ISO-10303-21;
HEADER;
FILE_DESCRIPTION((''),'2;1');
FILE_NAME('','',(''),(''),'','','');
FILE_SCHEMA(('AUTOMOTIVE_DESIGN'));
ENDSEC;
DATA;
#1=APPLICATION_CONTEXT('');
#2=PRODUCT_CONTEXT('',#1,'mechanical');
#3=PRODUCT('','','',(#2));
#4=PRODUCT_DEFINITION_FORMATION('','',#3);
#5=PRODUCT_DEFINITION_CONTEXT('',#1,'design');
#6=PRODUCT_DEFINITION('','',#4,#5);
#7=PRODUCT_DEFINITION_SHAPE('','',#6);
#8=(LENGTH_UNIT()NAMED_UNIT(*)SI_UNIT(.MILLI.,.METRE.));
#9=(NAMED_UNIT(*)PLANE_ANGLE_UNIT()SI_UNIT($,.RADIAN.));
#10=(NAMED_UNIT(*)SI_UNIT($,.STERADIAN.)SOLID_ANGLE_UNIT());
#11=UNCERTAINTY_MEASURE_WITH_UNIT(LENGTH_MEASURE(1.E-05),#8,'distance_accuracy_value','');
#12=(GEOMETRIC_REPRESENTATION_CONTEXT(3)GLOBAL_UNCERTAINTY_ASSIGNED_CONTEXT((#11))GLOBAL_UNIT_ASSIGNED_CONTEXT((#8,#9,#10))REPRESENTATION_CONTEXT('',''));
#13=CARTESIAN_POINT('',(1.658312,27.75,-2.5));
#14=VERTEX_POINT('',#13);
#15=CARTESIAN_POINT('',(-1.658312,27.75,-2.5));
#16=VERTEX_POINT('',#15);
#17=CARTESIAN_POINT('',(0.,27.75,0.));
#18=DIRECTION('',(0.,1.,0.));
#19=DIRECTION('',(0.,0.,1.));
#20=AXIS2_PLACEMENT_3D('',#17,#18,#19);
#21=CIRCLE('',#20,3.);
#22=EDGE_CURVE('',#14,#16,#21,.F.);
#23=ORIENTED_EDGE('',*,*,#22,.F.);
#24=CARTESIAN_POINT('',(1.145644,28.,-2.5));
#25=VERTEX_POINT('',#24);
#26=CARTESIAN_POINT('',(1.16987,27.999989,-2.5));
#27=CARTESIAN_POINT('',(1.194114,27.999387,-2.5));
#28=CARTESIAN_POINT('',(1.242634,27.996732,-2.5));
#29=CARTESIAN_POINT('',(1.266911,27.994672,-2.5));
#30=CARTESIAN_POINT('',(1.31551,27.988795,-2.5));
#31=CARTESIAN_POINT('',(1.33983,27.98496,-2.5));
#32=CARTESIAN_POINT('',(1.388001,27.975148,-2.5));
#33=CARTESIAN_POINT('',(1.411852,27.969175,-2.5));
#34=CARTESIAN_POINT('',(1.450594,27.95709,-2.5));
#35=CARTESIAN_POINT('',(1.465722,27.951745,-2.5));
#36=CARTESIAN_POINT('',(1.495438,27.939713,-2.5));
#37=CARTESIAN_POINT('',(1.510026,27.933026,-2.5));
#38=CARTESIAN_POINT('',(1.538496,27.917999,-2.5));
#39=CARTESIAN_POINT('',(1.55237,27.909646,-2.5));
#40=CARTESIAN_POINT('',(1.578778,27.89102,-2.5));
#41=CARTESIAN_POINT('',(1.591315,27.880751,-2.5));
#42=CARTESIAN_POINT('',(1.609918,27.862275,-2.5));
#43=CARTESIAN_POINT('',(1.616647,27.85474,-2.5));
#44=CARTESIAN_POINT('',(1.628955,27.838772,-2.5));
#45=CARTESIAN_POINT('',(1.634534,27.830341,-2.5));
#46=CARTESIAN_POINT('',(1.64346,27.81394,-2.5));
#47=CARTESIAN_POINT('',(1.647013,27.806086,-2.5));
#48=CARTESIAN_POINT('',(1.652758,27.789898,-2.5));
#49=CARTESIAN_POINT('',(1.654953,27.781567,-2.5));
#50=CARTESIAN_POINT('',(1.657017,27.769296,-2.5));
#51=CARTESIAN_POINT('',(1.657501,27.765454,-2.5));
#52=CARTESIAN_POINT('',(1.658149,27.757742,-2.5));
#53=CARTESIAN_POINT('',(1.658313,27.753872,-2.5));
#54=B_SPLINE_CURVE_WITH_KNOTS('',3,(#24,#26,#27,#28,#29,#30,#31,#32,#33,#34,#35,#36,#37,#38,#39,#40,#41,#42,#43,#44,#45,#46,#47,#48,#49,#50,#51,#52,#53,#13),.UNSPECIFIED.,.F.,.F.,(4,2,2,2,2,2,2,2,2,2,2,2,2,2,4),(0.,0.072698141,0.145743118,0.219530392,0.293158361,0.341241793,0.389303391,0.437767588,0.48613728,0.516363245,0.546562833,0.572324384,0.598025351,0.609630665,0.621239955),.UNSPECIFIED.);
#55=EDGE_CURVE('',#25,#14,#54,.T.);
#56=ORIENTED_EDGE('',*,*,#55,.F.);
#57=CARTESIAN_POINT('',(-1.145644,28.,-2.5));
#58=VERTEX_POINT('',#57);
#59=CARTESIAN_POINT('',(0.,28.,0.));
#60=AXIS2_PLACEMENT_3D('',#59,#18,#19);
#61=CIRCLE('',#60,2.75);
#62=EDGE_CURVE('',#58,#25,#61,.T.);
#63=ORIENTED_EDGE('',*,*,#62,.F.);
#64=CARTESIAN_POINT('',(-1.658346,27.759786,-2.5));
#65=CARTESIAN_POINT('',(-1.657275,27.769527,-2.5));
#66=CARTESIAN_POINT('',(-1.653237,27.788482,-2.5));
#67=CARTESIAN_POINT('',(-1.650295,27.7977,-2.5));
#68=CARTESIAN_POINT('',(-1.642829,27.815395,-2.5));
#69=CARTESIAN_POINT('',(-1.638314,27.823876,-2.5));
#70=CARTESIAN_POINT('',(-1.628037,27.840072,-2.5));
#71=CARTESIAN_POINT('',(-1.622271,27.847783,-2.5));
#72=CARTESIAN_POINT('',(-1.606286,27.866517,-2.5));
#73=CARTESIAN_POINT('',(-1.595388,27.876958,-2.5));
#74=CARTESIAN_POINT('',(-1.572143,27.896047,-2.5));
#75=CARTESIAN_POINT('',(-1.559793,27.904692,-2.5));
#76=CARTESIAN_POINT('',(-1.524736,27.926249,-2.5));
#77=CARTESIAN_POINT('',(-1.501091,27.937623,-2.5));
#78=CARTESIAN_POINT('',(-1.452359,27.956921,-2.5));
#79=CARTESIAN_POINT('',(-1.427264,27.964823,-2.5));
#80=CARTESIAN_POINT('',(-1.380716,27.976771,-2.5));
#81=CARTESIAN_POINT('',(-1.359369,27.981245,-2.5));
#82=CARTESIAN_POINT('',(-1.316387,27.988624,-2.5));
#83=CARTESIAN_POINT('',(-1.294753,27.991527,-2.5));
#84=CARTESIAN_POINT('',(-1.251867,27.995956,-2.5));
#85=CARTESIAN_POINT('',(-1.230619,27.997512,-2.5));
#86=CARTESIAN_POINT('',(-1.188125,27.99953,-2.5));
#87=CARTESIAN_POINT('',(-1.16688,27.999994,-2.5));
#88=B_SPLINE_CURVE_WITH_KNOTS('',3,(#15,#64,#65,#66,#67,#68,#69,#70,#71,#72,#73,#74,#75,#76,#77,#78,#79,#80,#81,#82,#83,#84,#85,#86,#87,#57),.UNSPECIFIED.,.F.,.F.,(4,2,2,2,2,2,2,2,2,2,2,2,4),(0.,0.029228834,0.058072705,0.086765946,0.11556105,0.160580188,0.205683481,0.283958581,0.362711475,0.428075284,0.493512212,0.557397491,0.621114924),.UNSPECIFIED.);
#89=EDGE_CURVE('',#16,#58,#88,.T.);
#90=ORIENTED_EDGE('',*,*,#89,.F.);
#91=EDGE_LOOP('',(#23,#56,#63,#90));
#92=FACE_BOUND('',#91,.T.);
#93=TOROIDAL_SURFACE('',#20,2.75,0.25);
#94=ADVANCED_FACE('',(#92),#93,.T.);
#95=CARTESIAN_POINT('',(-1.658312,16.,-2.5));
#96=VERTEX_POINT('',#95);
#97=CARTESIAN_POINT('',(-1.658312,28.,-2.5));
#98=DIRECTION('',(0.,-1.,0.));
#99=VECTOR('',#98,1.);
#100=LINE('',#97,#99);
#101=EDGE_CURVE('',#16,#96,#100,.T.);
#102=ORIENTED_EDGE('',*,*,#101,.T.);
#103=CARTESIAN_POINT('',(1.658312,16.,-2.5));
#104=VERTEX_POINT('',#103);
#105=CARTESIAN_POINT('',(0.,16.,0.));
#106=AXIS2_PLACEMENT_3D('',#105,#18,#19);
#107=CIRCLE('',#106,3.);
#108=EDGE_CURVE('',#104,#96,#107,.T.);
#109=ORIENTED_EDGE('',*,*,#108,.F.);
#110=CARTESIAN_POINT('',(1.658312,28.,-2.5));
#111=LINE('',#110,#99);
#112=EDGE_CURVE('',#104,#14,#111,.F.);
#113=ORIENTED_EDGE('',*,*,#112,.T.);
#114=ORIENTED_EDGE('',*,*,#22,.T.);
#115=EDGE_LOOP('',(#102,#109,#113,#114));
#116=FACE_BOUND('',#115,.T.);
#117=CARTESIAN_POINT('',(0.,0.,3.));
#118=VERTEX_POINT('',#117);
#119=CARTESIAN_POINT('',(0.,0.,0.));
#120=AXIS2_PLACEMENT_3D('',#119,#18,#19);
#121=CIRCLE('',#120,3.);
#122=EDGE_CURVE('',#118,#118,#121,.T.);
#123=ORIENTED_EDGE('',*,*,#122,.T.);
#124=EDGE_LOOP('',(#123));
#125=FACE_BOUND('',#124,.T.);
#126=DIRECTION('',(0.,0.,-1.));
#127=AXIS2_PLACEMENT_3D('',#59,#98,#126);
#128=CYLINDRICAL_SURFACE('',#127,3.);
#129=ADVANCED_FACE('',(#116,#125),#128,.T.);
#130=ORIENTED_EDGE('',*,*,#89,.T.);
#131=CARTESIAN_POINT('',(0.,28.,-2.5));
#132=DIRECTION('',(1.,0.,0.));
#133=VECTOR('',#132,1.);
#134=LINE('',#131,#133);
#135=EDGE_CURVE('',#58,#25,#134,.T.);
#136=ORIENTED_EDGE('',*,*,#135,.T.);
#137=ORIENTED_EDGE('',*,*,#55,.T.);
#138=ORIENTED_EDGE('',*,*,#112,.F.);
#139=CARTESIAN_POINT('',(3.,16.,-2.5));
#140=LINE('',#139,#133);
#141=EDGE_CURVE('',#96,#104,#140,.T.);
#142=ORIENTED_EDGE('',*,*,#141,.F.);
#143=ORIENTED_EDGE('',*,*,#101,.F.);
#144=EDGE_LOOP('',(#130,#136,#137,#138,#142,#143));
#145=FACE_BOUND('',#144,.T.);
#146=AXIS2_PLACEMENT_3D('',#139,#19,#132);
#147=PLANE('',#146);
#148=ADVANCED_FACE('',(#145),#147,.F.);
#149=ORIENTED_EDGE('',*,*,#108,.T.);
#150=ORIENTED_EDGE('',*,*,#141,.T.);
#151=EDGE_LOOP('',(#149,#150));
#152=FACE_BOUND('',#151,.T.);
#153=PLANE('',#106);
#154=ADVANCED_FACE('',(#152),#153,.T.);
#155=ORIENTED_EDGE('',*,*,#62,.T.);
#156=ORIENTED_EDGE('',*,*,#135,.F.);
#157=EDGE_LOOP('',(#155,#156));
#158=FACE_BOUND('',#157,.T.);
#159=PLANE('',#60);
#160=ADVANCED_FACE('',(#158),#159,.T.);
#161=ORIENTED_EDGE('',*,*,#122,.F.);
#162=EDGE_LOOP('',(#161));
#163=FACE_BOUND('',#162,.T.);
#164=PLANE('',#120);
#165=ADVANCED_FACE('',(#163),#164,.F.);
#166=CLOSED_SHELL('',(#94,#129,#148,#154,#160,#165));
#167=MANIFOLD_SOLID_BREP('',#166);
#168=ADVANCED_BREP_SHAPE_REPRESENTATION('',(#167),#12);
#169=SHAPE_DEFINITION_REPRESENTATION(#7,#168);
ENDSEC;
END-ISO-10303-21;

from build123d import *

# Parameters (mm, degrees)
SKETCH1_R           = 3
BOSS_EXTRUDE1_DEPTH = 28
SKETCH2_W           = 6
SKETCH2_H           = 1
CUT_EXTRUDE1_DEPTH  = 12
FILLET1_R           = 0.25


with BuildPart() as part:
    # Sketch1 → Boss-Extrude1 (new body)
    with BuildSketch(Plane(origin=(0, 0, 0), x_dir=(1, 0, 0), z_dir=(0, 1, 0))):
        with Locations(Location((0, 0, 0), (0, 0, 270))):
            Circle(SKETCH1_R)
    extrude(amount=BOSS_EXTRUDE1_DEPTH)

    # Sketch2 → Cut-Extrude1 (cut)
    with BuildSketch(Plane(origin=(0, 28, 0), x_dir=(1, 0, 0), z_dir=(0, 1, 0))):
        with Locations((0, 3)):
            Rectangle(SKETCH2_W, SKETCH2_H)
    extrude(amount=-CUT_EXTRUDE1_DEPTH, mode=Mode.SUBTRACT)

    # Fillet1
    fillet1_edges = [part.edges().sort_by_distance(p)[0] for p in [
        (-2.872281323, 28, 0.866025404),
    ]]
    fillet(fillet1_edges, radius=FILLET1_R)


solid = part.part
